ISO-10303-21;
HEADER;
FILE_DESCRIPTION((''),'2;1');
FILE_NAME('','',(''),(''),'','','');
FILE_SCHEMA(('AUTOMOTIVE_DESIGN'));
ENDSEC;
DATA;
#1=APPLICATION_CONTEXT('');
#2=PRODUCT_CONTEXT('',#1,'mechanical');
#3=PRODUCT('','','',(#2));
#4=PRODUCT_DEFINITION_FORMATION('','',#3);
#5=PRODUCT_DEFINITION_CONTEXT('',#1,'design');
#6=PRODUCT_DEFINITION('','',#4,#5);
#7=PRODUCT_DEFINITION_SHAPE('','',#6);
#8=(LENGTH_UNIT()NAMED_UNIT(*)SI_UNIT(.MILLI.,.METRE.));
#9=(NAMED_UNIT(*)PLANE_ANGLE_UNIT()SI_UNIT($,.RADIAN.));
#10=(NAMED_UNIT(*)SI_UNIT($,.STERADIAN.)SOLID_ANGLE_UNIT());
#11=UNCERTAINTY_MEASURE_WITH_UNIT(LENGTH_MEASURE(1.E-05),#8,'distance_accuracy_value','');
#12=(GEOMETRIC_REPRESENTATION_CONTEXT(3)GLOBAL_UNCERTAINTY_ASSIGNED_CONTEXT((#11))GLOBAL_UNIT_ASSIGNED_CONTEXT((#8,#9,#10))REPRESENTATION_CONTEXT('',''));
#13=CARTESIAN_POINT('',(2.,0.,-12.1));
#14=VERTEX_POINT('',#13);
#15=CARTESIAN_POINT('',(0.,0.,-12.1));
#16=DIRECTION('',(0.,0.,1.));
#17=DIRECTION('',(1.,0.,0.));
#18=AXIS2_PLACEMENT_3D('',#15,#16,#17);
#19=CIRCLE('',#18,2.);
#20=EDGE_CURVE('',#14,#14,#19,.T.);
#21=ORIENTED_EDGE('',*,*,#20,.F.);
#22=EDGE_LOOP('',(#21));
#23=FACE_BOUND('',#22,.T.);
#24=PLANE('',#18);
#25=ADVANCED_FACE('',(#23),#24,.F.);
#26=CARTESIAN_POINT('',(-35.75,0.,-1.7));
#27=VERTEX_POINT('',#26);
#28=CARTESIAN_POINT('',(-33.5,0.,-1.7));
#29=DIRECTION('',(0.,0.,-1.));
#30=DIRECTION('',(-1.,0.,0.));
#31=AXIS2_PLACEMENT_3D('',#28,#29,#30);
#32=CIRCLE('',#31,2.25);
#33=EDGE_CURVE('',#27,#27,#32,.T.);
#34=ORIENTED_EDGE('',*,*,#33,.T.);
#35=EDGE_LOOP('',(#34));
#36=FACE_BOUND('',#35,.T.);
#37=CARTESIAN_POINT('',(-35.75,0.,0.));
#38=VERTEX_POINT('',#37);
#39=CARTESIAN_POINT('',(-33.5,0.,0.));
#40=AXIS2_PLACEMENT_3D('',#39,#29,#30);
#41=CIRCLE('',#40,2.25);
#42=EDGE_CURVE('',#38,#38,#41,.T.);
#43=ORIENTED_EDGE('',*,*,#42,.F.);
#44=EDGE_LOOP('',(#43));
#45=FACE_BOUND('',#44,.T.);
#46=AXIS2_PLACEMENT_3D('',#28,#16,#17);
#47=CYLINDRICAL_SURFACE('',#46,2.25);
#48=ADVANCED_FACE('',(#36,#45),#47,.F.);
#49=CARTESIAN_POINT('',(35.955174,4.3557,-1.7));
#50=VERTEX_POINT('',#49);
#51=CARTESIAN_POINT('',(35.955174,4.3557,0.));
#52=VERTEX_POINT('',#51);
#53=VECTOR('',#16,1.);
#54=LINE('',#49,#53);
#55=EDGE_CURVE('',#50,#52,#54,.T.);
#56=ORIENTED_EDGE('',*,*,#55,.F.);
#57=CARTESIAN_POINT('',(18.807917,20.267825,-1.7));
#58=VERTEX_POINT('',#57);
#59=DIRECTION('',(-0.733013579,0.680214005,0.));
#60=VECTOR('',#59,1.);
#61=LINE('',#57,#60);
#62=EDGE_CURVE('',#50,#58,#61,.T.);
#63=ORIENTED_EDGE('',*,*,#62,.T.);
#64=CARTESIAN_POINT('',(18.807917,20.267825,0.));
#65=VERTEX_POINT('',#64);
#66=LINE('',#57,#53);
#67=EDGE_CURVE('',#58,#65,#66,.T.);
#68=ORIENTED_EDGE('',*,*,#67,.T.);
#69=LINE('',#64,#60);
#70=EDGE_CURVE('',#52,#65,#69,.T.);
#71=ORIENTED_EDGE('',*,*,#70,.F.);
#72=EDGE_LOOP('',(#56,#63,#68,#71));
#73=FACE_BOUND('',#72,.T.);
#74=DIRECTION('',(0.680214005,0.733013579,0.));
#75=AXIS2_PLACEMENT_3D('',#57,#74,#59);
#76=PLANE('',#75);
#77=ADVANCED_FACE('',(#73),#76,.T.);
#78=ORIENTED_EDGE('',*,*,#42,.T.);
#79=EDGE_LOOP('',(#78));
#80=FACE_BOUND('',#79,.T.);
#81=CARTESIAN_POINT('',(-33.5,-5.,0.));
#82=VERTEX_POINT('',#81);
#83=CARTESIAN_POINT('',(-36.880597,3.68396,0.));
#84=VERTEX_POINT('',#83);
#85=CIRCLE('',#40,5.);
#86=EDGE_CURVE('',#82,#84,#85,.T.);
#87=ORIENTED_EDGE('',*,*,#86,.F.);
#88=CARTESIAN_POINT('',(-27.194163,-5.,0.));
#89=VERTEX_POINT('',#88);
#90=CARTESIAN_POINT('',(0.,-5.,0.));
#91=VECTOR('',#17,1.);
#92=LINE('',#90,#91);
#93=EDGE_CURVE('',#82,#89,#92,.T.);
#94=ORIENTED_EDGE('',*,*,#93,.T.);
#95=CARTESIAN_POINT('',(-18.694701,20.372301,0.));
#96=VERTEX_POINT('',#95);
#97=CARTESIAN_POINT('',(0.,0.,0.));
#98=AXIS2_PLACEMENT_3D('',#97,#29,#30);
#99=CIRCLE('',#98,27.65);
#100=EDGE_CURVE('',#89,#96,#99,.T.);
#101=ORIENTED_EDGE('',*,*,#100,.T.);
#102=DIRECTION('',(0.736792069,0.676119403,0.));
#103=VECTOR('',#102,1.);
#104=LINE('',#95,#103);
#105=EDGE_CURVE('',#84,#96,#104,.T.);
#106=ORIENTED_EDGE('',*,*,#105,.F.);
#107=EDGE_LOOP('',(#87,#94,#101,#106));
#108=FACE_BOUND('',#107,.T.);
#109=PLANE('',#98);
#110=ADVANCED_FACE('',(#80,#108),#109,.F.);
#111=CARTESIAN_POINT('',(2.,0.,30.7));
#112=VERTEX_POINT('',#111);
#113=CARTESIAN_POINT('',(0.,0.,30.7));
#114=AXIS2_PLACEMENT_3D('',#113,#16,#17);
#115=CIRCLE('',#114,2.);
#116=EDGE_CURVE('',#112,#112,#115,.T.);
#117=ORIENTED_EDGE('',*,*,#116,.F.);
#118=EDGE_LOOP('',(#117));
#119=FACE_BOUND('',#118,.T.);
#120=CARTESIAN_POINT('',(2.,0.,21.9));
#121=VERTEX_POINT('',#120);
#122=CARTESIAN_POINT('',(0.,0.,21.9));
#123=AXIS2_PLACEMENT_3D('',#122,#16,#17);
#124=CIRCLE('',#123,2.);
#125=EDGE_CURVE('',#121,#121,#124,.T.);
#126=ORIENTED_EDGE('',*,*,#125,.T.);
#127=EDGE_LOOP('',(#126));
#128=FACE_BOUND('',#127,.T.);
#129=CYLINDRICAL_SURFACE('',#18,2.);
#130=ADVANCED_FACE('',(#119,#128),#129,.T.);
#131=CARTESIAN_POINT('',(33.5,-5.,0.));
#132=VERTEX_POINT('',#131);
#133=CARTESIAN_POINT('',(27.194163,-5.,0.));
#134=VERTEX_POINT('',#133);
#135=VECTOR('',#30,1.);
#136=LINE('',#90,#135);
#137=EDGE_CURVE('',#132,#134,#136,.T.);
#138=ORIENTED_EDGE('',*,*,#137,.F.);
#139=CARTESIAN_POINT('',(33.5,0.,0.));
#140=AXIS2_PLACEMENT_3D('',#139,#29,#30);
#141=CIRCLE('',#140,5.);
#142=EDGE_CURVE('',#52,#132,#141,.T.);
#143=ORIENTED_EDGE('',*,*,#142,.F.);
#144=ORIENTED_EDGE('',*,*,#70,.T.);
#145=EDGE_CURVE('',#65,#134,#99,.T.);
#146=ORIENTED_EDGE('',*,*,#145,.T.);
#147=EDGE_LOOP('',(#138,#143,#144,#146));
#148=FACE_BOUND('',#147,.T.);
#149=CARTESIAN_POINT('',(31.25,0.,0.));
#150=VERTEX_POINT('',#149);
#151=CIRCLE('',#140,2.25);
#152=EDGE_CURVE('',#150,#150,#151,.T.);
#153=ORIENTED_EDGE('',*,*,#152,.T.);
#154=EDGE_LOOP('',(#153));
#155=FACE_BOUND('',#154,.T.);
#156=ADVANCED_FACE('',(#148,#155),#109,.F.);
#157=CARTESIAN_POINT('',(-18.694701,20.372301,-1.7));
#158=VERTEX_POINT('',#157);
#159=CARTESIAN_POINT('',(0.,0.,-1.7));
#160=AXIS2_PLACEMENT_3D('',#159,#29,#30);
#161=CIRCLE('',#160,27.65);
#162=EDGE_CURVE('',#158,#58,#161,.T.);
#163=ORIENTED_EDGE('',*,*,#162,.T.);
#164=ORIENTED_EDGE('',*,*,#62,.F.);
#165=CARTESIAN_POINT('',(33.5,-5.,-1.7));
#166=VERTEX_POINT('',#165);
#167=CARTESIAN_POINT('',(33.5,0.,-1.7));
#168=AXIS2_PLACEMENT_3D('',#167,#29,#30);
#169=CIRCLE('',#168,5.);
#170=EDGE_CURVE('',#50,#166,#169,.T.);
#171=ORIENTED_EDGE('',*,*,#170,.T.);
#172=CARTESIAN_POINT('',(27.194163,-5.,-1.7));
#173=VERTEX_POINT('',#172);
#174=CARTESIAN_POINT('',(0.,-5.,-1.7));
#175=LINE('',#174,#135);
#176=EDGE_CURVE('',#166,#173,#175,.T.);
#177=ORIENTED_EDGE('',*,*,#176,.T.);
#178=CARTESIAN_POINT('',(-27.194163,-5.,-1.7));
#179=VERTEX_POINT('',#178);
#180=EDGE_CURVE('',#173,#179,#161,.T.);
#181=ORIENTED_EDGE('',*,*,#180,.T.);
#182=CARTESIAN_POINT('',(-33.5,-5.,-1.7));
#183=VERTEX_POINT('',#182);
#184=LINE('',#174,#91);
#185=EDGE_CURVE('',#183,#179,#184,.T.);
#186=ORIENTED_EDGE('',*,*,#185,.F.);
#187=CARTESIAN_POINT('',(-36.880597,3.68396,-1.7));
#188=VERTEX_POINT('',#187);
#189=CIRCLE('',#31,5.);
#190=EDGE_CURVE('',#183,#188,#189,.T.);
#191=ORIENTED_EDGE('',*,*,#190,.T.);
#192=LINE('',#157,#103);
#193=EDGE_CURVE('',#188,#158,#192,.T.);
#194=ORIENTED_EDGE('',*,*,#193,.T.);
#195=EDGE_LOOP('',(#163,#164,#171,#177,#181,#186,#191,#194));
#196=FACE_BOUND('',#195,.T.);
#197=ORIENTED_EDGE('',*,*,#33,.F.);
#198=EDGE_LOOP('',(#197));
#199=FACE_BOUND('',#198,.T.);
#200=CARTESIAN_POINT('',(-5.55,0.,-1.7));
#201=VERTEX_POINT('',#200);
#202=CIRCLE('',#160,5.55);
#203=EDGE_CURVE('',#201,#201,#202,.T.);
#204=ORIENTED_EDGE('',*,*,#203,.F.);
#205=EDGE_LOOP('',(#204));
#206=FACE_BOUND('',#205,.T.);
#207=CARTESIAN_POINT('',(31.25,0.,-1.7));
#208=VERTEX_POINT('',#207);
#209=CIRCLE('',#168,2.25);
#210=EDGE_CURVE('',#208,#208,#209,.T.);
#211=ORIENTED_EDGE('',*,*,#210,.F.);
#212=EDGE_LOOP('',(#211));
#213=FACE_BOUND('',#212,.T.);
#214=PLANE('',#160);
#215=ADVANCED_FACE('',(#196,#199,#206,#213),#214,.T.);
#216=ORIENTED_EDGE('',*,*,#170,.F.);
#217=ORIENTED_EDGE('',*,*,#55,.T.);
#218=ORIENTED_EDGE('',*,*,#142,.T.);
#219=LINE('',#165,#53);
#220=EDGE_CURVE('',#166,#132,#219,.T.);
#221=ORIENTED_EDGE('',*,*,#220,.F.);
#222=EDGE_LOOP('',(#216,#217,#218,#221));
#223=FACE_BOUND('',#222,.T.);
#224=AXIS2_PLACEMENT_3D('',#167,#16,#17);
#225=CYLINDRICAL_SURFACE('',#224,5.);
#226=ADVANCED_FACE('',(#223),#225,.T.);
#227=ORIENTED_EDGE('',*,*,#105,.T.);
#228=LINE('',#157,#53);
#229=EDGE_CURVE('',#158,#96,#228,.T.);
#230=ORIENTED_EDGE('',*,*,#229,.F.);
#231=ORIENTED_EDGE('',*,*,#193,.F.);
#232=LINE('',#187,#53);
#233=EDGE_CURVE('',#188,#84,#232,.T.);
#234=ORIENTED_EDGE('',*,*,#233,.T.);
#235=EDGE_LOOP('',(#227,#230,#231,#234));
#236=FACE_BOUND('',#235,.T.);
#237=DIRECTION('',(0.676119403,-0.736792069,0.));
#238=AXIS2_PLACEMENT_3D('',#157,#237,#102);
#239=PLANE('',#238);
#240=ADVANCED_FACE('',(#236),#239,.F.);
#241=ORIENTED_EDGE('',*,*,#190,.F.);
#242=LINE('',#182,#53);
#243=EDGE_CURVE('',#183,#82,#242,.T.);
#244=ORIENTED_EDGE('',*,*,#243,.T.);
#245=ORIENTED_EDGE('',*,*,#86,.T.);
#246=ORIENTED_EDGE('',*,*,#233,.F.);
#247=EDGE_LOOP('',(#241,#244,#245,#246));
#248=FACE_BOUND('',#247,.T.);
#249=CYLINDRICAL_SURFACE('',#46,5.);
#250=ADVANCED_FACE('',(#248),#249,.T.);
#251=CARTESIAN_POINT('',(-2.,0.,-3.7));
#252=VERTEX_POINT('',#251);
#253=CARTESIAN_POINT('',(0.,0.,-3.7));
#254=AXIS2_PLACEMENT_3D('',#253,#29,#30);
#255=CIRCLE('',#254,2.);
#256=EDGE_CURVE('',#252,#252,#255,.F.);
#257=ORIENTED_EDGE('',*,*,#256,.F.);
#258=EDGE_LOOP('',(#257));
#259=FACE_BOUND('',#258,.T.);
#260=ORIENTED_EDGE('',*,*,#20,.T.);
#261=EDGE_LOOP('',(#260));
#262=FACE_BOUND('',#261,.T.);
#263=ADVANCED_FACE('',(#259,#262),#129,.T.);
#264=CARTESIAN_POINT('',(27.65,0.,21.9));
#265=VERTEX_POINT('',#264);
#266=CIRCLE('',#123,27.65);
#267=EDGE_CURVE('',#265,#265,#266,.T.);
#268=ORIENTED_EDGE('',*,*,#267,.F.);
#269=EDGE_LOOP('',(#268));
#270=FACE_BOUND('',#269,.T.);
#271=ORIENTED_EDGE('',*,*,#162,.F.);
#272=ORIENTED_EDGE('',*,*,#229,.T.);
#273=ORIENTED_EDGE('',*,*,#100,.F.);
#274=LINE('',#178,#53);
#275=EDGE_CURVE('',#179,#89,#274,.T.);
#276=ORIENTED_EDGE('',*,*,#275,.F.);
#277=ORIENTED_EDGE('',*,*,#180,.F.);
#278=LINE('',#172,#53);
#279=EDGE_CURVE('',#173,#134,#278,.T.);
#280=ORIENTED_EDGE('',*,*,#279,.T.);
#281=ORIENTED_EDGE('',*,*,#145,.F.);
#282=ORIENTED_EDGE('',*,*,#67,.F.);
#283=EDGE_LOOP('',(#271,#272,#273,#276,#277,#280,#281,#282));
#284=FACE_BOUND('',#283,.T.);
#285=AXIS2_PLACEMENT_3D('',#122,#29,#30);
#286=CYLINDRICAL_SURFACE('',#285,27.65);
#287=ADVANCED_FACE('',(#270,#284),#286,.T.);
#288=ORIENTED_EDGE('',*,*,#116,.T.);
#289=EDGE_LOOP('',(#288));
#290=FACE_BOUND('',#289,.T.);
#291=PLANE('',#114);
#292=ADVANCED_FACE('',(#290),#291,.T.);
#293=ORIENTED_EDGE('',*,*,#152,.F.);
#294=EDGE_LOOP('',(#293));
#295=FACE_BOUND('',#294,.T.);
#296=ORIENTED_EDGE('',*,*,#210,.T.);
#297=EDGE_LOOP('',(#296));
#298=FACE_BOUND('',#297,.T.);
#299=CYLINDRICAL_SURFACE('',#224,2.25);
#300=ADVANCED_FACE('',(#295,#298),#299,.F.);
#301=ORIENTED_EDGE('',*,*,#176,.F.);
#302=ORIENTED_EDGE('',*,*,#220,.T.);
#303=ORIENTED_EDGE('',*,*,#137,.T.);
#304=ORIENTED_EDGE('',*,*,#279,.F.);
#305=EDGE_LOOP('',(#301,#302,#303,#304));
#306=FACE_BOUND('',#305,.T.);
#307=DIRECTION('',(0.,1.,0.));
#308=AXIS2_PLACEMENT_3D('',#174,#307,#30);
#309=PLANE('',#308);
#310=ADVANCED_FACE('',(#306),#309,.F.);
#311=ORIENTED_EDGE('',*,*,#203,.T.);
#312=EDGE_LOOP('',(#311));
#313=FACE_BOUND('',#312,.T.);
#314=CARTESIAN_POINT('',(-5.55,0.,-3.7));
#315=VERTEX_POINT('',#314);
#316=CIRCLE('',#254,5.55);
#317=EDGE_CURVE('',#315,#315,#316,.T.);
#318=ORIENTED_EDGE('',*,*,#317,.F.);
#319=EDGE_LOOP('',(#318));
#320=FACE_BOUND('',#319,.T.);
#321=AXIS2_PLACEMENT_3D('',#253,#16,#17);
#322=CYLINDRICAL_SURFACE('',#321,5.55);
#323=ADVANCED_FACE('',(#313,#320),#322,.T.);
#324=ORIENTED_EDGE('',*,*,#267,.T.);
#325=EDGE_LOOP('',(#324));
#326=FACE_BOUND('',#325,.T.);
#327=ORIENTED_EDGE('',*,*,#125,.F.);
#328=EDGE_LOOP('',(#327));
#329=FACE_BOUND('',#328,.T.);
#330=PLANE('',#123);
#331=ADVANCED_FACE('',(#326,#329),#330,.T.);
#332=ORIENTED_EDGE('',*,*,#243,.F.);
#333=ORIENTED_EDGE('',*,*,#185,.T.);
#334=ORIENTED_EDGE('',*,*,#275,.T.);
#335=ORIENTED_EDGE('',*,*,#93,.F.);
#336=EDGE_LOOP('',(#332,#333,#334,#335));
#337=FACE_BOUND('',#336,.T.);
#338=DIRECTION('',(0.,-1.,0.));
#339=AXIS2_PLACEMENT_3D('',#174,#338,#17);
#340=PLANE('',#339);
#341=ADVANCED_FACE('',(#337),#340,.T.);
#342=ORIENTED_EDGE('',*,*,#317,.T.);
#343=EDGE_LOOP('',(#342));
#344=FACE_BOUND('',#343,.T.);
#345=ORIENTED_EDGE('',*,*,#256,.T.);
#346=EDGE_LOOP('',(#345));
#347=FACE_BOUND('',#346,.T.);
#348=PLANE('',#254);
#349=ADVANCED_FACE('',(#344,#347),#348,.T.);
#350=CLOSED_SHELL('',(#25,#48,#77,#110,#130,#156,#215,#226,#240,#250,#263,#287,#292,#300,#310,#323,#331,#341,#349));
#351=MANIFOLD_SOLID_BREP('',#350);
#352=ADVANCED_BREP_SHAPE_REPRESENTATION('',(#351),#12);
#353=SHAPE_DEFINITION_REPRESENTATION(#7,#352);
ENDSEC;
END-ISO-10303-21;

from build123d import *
from build123d.topology import SkipClean

# Parameters (mm, degrees)
CROQUIS1_R                   = 27.65
SALIENTE_EXTRUIR1_DEPTH      = 21.9
SALIENTE_EXTRUIR2_DEPTH      = 8.8
SALIENTE_EXTRUIR2_DEPTH_BACK = 34
CROQUIS2_R                   = 2
SALIENTE_EXTRUIR3_START      = 1.7
CROQUIS3_R                   = 2.25
CROQUIS3_R_2                 = 2
SALIENTE_EXTRUIR3_DEPTH      = 1.7
CROQUIS4_R                   = 5.55
SALIENTE_EXTRUIR4_DEPTH      = 2


with BuildPart() as part:
    # Croquis1 → Saliente-Extruir1 (new body)
    with BuildSketch(Plane.XY):
        Circle(CROQUIS1_R)
    extrude(amount=SALIENTE_EXTRUIR1_DEPTH)

    # Croquis2 → Saliente-Extruir2 (add, two sides: drawn at the far end of the back side and taken through both)
    with BuildSketch(Plane.XY.offset(21.9).offset(-SALIENTE_EXTRUIR2_DEPTH_BACK)):
        Circle(CROQUIS2_R)
    extrude(amount=SALIENTE_EXTRUIR2_DEPTH + SALIENTE_EXTRUIR2_DEPTH_BACK)

    # Croquis3 → Saliente-Extruir3 (add)
    with SkipClean():  # the faces are left unmerged after this step: merging them gives an invalid solid
        with BuildSketch(Plane(origin=(0, 0, 0), x_dir=(-1, 0, 0), z_dir=(0, 0, -1)).offset(SALIENTE_EXTRUIR3_START)):
            with BuildLine():
                Line((27.194162977, -5), (33.5, -5))
                ThreePointArc((33.5, -5), (38.159388464, -1.813863043), (36.880597015, 3.683960345))
                Line((36.880597015, 3.683960345), (18.694701493, 20.372300707))
                ThreePointArc((18.694701493, 20.372300707), (-0.0770274, 27.649892708), (-18.80791724, 20.267825466))
                Line((-18.80791724, 20.267825466), (-35.955174002, 4.355699785))
                ThreePointArc((-35.955174002, 4.355699785), (-38.336243321, -1.269153473), (-33.5, -5))
                Line((-33.5, -5), (-27.194162977, -5))
                ThreePointArc((-27.194162977, -5), (0, -27.65), (27.194162977, -5))
            make_face()
            with Locations((33.5, 0)):
                Circle(CROQUIS3_R, mode=Mode.SUBTRACT)
            with Locations(Location((0, 0, 0), (0, 0, 180))):
                Circle(CROQUIS3_R_2, mode=Mode.SUBTRACT)
            with Locations((-33.5, 0)):
                Circle(CROQUIS3_R, mode=Mode.SUBTRACT)
        extrude(amount=-SALIENTE_EXTRUIR3_DEPTH)

    # Croquis4 → Saliente-Extruir4 (add)
    with SkipClean():  # the faces are left unmerged after this step: merging them gives an invalid solid
        with BuildSketch(Plane(origin=(0, 0, -1.7), x_dir=(-1, 0, 0), z_dir=(0, 0, -1))):
            Circle(CROQUIS4_R)
        extrude(amount=SALIENTE_EXTRUIR4_DEPTH)


solid = part.part
